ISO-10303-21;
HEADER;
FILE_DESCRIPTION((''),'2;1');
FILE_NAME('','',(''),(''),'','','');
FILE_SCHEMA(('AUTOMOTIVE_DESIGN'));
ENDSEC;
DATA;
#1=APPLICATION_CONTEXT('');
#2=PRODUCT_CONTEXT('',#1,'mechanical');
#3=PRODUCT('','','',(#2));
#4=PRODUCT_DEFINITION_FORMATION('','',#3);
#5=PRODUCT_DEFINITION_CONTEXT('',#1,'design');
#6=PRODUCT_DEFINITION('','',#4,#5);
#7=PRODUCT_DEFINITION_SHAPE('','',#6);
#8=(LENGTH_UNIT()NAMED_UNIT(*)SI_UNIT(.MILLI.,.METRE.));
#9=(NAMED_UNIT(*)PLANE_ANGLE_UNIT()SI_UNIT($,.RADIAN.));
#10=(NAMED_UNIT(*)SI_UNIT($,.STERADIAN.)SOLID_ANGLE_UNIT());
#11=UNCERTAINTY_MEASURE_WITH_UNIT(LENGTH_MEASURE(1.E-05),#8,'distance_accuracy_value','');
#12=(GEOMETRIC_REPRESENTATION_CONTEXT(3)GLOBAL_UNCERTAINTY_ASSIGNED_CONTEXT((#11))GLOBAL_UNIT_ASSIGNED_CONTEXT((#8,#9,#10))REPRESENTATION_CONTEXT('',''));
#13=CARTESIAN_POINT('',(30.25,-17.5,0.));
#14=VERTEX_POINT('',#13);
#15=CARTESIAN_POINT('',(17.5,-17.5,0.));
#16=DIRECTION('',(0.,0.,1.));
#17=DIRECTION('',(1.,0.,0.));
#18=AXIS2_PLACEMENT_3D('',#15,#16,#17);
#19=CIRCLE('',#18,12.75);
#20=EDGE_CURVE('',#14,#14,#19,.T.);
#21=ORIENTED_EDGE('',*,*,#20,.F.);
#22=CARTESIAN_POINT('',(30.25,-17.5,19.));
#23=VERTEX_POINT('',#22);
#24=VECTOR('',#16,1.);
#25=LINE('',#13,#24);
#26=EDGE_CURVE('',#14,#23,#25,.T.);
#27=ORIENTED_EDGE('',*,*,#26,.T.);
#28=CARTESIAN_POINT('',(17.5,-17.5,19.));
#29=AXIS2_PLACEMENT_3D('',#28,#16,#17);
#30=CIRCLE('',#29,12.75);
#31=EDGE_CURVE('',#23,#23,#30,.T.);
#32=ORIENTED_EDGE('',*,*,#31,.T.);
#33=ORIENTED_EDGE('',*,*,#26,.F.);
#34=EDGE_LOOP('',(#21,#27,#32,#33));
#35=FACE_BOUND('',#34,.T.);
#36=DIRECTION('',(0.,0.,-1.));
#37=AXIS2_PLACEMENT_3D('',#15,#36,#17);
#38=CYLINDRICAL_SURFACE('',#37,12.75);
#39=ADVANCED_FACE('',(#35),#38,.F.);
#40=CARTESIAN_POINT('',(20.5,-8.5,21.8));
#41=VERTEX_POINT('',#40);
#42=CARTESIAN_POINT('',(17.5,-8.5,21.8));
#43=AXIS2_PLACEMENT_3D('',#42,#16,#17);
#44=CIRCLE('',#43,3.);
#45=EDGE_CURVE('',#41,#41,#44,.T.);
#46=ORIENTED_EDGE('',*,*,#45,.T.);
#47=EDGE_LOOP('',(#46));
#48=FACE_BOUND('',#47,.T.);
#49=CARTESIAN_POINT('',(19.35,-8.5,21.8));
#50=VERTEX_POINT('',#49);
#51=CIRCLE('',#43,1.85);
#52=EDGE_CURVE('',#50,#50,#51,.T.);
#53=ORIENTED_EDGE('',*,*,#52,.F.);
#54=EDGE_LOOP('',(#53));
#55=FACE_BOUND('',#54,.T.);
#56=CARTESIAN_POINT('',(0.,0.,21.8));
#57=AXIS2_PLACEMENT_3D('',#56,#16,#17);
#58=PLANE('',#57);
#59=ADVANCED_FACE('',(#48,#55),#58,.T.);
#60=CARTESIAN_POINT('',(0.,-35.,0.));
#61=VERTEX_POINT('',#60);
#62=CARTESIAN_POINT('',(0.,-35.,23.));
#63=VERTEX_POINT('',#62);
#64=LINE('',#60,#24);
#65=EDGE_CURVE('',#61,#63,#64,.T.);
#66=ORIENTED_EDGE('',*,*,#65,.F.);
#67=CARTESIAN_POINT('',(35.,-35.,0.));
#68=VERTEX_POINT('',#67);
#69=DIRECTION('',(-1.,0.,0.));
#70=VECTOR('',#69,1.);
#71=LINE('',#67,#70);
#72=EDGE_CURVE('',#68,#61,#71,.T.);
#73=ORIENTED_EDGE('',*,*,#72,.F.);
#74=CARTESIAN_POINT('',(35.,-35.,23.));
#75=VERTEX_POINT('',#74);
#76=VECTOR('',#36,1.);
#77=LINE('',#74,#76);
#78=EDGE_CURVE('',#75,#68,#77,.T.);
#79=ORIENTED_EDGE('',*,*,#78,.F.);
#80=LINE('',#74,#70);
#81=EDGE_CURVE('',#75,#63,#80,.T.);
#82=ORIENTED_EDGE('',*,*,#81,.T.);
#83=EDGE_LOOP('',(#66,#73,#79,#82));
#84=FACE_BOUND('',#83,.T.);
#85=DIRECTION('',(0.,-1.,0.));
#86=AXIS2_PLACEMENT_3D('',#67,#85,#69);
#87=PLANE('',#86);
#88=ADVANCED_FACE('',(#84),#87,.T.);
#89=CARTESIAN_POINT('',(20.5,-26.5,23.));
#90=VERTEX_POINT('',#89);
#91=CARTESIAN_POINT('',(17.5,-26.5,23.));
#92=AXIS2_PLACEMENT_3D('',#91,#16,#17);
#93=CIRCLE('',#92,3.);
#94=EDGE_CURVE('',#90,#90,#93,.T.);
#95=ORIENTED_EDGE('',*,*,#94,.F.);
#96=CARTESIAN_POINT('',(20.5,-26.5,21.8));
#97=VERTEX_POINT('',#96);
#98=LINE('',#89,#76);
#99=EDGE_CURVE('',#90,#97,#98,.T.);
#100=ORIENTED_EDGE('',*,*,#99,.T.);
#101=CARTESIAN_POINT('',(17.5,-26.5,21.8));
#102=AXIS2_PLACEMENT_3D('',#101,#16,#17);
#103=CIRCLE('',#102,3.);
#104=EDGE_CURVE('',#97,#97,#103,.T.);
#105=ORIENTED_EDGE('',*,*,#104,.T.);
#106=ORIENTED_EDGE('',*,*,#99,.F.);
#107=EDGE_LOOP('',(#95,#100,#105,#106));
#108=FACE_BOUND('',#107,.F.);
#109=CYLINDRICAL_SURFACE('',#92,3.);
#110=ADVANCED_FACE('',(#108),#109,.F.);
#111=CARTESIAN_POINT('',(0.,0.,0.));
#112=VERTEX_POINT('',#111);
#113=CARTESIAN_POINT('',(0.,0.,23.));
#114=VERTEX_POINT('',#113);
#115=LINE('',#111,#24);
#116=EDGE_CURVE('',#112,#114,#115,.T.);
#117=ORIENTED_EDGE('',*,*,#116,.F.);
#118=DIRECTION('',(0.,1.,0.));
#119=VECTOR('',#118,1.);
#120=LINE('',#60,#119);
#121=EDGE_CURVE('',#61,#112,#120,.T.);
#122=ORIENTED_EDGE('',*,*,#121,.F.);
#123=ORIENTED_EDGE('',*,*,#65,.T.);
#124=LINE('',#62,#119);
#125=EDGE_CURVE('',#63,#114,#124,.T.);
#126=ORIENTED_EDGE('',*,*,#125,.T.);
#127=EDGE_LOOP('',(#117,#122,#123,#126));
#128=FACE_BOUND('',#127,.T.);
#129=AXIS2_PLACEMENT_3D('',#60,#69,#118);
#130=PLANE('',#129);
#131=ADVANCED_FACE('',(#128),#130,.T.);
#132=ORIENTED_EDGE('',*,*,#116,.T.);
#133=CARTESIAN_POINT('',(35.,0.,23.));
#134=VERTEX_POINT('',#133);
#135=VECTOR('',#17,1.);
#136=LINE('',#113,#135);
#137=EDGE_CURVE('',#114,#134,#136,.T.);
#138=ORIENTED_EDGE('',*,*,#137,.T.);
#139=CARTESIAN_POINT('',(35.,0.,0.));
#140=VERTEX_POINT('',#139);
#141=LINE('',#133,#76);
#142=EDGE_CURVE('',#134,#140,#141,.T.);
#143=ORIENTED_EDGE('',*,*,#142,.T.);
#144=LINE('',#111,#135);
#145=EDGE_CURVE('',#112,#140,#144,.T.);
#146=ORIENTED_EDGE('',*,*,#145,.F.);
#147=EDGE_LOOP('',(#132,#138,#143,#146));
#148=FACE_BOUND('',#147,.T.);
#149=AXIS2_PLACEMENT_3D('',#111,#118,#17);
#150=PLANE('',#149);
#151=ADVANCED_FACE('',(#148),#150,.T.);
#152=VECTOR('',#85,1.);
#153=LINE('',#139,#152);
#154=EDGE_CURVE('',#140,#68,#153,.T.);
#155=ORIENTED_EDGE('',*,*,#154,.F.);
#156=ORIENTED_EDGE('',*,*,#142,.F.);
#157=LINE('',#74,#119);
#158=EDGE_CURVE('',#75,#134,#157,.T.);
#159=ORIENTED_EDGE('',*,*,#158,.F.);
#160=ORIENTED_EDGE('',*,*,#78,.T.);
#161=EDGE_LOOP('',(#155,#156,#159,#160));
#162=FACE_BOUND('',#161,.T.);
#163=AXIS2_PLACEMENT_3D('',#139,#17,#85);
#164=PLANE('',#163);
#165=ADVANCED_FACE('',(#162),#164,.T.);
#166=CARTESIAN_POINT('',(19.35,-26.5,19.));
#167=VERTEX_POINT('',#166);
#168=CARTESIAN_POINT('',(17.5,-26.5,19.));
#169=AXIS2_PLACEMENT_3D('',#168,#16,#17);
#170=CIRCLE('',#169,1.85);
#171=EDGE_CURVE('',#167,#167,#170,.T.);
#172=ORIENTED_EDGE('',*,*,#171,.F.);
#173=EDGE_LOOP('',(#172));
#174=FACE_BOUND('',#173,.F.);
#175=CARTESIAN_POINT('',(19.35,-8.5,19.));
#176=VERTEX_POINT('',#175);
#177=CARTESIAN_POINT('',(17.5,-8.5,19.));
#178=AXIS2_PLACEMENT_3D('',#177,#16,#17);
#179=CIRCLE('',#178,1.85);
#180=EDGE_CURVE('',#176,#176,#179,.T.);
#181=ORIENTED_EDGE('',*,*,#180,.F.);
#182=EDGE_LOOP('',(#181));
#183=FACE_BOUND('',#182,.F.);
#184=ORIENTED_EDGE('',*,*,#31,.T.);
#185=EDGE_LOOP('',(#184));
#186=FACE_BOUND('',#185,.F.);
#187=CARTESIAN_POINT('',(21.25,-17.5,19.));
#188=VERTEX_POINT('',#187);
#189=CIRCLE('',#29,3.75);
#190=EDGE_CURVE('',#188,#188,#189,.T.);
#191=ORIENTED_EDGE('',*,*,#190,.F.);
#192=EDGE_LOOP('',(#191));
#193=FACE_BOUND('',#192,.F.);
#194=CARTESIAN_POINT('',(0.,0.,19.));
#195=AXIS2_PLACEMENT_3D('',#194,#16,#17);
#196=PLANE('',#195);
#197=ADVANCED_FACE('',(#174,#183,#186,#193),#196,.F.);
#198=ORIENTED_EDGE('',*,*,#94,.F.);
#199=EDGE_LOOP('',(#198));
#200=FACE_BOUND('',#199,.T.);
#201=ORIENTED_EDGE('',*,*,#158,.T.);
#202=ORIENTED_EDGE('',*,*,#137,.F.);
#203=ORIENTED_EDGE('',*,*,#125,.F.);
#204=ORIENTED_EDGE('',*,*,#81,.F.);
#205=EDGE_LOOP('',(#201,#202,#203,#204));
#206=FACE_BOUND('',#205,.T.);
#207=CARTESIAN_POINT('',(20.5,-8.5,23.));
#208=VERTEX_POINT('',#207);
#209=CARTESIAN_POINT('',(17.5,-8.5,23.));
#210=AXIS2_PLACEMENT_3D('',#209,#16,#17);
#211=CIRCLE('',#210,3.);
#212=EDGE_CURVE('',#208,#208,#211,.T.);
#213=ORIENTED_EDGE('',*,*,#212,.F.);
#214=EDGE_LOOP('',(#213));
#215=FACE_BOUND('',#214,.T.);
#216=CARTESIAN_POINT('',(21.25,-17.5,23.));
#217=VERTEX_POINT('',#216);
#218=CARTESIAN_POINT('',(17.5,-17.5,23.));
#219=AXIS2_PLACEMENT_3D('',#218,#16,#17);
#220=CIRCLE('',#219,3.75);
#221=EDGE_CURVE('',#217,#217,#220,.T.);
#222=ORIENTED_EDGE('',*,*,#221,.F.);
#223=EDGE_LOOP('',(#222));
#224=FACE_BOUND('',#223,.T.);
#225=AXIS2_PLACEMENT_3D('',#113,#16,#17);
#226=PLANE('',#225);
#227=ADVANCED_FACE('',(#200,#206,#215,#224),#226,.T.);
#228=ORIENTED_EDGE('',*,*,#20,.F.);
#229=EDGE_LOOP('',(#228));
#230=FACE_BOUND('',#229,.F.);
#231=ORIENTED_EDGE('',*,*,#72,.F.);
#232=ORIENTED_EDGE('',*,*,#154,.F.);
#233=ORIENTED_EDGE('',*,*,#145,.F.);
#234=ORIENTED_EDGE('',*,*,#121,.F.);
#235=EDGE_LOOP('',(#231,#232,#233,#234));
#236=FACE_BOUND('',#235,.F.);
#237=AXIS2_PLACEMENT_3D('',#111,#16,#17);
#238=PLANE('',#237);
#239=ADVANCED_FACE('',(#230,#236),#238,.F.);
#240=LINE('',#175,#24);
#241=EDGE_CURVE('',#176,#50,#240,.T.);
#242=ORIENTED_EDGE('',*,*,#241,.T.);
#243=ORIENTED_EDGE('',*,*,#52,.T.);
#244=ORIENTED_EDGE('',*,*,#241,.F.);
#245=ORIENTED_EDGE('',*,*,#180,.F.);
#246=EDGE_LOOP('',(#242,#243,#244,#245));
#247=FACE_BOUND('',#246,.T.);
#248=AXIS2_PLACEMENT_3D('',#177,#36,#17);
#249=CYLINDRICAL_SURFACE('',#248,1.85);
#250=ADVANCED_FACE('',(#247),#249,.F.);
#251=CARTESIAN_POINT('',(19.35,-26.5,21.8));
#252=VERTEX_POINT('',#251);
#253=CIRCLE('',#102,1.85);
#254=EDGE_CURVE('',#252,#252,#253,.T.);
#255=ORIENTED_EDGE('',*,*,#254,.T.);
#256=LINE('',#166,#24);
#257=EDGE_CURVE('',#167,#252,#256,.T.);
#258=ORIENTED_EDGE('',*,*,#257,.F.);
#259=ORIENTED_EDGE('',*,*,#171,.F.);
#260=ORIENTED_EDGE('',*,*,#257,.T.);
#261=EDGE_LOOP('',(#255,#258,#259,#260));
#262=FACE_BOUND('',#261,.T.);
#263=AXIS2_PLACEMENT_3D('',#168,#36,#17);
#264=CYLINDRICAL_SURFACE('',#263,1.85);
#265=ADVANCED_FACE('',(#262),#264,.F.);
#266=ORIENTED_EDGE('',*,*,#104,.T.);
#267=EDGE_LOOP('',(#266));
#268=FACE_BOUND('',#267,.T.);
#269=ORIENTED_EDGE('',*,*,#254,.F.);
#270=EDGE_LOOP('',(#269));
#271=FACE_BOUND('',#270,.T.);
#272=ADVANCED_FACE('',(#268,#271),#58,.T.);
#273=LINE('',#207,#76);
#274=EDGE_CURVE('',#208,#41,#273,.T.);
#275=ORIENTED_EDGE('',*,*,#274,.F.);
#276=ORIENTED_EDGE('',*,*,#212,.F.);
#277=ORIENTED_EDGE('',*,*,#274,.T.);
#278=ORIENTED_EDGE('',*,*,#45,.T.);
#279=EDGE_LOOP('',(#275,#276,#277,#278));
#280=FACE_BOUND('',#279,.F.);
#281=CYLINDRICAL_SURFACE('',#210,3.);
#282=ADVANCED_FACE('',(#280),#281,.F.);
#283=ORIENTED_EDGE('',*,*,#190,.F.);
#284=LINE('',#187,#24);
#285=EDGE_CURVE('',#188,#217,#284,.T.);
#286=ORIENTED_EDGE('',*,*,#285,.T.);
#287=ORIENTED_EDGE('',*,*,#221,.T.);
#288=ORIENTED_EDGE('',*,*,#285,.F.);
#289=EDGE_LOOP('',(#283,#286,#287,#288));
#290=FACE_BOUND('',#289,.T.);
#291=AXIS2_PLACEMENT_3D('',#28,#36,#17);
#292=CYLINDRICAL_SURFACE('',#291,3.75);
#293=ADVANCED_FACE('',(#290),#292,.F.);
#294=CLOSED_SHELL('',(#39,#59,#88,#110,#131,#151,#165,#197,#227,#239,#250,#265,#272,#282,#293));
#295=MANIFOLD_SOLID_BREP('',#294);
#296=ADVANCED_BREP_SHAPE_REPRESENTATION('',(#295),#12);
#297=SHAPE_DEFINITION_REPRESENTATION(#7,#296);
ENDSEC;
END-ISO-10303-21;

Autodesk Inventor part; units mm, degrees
ref_plane "YZ Plane" through (0, 0, 0) normal (1, 0, 0) x (0, 1, 0)
ref_plane "XZ Plane" through (0, 0, 0) normal (0, 1, 0) x (-1, 0, 0)
ref_plane "XY Plane" through (0, 0, 0) normal (0, 0, 1) x (1, 0, 0)
sketch "Sketch1" plane through (0, 0, 0) normal (0, 0, 1) x (1, 0, 0)
  line L0 (0, 0) -> (35, 0)
  line L1 (35, 0) -> (35, -35)
  line L2 (35, -35) -> (0, -35)
  line L3 (0, -35) -> (0, 0)
  circle A0 centre (17.5, -17.5) radius 12.75
  dimension "d0" = 35
  dimension "d1" = 35
  dimension "d2" = 25.5
extrude "Extrusion1" add sketch "Sketch1" along normal blind 19
sketch "Sketch2" plane through (0, 0, 19) normal (0, 0, 1) x (1, 0, 0)
  line L0 (35, -35) -> (35, 0) projected
  line L1 (0, 0) -> (35, 0)
  line L2 (35, 0) -> (35, -35)
  line L3 (35, -35) -> (0, -35)
  line L4 (0, -35) -> (0, 0)
  circle A0 centre (17.5, -17.5) radius 3.75
  circle A1 centre (17.5, -8.5) radius 1.85
  circle A2 centre (17.5, -26.5) radius 1.85
  dimension "d5" = 7.5
  dimension "d6" = 17.5
  dimension "d7" = 17.5
  dimension "d8" = 3.7
  dimension "d9" = 3.7
  dimension "d10" = 9
  dimension "d11" = 9
extrude "Extrusion2" add sketch "Sketch2" along normal blind 4
sketch "Sketch3" plane through (0, 0, 23) normal (0, 0, 1) x (1, 0, 0)
  circle A0 centre (17.5, -8.5) radius 1.85 projected
  circle A1 centre (17.5, -8.5) radius 3
  circle A2 centre (17.5, -26.5) radius 1.85 projected
  circle A3 centre (17.5, -26.5) radius 3
  point P0 (0, 0)
  dimension "d14" = 6
  dimension "d15" = 6
extrude "Extrusion3" cut sketch "Sketch3" against normal blind 1.2
properties part number "Motor_Support"
